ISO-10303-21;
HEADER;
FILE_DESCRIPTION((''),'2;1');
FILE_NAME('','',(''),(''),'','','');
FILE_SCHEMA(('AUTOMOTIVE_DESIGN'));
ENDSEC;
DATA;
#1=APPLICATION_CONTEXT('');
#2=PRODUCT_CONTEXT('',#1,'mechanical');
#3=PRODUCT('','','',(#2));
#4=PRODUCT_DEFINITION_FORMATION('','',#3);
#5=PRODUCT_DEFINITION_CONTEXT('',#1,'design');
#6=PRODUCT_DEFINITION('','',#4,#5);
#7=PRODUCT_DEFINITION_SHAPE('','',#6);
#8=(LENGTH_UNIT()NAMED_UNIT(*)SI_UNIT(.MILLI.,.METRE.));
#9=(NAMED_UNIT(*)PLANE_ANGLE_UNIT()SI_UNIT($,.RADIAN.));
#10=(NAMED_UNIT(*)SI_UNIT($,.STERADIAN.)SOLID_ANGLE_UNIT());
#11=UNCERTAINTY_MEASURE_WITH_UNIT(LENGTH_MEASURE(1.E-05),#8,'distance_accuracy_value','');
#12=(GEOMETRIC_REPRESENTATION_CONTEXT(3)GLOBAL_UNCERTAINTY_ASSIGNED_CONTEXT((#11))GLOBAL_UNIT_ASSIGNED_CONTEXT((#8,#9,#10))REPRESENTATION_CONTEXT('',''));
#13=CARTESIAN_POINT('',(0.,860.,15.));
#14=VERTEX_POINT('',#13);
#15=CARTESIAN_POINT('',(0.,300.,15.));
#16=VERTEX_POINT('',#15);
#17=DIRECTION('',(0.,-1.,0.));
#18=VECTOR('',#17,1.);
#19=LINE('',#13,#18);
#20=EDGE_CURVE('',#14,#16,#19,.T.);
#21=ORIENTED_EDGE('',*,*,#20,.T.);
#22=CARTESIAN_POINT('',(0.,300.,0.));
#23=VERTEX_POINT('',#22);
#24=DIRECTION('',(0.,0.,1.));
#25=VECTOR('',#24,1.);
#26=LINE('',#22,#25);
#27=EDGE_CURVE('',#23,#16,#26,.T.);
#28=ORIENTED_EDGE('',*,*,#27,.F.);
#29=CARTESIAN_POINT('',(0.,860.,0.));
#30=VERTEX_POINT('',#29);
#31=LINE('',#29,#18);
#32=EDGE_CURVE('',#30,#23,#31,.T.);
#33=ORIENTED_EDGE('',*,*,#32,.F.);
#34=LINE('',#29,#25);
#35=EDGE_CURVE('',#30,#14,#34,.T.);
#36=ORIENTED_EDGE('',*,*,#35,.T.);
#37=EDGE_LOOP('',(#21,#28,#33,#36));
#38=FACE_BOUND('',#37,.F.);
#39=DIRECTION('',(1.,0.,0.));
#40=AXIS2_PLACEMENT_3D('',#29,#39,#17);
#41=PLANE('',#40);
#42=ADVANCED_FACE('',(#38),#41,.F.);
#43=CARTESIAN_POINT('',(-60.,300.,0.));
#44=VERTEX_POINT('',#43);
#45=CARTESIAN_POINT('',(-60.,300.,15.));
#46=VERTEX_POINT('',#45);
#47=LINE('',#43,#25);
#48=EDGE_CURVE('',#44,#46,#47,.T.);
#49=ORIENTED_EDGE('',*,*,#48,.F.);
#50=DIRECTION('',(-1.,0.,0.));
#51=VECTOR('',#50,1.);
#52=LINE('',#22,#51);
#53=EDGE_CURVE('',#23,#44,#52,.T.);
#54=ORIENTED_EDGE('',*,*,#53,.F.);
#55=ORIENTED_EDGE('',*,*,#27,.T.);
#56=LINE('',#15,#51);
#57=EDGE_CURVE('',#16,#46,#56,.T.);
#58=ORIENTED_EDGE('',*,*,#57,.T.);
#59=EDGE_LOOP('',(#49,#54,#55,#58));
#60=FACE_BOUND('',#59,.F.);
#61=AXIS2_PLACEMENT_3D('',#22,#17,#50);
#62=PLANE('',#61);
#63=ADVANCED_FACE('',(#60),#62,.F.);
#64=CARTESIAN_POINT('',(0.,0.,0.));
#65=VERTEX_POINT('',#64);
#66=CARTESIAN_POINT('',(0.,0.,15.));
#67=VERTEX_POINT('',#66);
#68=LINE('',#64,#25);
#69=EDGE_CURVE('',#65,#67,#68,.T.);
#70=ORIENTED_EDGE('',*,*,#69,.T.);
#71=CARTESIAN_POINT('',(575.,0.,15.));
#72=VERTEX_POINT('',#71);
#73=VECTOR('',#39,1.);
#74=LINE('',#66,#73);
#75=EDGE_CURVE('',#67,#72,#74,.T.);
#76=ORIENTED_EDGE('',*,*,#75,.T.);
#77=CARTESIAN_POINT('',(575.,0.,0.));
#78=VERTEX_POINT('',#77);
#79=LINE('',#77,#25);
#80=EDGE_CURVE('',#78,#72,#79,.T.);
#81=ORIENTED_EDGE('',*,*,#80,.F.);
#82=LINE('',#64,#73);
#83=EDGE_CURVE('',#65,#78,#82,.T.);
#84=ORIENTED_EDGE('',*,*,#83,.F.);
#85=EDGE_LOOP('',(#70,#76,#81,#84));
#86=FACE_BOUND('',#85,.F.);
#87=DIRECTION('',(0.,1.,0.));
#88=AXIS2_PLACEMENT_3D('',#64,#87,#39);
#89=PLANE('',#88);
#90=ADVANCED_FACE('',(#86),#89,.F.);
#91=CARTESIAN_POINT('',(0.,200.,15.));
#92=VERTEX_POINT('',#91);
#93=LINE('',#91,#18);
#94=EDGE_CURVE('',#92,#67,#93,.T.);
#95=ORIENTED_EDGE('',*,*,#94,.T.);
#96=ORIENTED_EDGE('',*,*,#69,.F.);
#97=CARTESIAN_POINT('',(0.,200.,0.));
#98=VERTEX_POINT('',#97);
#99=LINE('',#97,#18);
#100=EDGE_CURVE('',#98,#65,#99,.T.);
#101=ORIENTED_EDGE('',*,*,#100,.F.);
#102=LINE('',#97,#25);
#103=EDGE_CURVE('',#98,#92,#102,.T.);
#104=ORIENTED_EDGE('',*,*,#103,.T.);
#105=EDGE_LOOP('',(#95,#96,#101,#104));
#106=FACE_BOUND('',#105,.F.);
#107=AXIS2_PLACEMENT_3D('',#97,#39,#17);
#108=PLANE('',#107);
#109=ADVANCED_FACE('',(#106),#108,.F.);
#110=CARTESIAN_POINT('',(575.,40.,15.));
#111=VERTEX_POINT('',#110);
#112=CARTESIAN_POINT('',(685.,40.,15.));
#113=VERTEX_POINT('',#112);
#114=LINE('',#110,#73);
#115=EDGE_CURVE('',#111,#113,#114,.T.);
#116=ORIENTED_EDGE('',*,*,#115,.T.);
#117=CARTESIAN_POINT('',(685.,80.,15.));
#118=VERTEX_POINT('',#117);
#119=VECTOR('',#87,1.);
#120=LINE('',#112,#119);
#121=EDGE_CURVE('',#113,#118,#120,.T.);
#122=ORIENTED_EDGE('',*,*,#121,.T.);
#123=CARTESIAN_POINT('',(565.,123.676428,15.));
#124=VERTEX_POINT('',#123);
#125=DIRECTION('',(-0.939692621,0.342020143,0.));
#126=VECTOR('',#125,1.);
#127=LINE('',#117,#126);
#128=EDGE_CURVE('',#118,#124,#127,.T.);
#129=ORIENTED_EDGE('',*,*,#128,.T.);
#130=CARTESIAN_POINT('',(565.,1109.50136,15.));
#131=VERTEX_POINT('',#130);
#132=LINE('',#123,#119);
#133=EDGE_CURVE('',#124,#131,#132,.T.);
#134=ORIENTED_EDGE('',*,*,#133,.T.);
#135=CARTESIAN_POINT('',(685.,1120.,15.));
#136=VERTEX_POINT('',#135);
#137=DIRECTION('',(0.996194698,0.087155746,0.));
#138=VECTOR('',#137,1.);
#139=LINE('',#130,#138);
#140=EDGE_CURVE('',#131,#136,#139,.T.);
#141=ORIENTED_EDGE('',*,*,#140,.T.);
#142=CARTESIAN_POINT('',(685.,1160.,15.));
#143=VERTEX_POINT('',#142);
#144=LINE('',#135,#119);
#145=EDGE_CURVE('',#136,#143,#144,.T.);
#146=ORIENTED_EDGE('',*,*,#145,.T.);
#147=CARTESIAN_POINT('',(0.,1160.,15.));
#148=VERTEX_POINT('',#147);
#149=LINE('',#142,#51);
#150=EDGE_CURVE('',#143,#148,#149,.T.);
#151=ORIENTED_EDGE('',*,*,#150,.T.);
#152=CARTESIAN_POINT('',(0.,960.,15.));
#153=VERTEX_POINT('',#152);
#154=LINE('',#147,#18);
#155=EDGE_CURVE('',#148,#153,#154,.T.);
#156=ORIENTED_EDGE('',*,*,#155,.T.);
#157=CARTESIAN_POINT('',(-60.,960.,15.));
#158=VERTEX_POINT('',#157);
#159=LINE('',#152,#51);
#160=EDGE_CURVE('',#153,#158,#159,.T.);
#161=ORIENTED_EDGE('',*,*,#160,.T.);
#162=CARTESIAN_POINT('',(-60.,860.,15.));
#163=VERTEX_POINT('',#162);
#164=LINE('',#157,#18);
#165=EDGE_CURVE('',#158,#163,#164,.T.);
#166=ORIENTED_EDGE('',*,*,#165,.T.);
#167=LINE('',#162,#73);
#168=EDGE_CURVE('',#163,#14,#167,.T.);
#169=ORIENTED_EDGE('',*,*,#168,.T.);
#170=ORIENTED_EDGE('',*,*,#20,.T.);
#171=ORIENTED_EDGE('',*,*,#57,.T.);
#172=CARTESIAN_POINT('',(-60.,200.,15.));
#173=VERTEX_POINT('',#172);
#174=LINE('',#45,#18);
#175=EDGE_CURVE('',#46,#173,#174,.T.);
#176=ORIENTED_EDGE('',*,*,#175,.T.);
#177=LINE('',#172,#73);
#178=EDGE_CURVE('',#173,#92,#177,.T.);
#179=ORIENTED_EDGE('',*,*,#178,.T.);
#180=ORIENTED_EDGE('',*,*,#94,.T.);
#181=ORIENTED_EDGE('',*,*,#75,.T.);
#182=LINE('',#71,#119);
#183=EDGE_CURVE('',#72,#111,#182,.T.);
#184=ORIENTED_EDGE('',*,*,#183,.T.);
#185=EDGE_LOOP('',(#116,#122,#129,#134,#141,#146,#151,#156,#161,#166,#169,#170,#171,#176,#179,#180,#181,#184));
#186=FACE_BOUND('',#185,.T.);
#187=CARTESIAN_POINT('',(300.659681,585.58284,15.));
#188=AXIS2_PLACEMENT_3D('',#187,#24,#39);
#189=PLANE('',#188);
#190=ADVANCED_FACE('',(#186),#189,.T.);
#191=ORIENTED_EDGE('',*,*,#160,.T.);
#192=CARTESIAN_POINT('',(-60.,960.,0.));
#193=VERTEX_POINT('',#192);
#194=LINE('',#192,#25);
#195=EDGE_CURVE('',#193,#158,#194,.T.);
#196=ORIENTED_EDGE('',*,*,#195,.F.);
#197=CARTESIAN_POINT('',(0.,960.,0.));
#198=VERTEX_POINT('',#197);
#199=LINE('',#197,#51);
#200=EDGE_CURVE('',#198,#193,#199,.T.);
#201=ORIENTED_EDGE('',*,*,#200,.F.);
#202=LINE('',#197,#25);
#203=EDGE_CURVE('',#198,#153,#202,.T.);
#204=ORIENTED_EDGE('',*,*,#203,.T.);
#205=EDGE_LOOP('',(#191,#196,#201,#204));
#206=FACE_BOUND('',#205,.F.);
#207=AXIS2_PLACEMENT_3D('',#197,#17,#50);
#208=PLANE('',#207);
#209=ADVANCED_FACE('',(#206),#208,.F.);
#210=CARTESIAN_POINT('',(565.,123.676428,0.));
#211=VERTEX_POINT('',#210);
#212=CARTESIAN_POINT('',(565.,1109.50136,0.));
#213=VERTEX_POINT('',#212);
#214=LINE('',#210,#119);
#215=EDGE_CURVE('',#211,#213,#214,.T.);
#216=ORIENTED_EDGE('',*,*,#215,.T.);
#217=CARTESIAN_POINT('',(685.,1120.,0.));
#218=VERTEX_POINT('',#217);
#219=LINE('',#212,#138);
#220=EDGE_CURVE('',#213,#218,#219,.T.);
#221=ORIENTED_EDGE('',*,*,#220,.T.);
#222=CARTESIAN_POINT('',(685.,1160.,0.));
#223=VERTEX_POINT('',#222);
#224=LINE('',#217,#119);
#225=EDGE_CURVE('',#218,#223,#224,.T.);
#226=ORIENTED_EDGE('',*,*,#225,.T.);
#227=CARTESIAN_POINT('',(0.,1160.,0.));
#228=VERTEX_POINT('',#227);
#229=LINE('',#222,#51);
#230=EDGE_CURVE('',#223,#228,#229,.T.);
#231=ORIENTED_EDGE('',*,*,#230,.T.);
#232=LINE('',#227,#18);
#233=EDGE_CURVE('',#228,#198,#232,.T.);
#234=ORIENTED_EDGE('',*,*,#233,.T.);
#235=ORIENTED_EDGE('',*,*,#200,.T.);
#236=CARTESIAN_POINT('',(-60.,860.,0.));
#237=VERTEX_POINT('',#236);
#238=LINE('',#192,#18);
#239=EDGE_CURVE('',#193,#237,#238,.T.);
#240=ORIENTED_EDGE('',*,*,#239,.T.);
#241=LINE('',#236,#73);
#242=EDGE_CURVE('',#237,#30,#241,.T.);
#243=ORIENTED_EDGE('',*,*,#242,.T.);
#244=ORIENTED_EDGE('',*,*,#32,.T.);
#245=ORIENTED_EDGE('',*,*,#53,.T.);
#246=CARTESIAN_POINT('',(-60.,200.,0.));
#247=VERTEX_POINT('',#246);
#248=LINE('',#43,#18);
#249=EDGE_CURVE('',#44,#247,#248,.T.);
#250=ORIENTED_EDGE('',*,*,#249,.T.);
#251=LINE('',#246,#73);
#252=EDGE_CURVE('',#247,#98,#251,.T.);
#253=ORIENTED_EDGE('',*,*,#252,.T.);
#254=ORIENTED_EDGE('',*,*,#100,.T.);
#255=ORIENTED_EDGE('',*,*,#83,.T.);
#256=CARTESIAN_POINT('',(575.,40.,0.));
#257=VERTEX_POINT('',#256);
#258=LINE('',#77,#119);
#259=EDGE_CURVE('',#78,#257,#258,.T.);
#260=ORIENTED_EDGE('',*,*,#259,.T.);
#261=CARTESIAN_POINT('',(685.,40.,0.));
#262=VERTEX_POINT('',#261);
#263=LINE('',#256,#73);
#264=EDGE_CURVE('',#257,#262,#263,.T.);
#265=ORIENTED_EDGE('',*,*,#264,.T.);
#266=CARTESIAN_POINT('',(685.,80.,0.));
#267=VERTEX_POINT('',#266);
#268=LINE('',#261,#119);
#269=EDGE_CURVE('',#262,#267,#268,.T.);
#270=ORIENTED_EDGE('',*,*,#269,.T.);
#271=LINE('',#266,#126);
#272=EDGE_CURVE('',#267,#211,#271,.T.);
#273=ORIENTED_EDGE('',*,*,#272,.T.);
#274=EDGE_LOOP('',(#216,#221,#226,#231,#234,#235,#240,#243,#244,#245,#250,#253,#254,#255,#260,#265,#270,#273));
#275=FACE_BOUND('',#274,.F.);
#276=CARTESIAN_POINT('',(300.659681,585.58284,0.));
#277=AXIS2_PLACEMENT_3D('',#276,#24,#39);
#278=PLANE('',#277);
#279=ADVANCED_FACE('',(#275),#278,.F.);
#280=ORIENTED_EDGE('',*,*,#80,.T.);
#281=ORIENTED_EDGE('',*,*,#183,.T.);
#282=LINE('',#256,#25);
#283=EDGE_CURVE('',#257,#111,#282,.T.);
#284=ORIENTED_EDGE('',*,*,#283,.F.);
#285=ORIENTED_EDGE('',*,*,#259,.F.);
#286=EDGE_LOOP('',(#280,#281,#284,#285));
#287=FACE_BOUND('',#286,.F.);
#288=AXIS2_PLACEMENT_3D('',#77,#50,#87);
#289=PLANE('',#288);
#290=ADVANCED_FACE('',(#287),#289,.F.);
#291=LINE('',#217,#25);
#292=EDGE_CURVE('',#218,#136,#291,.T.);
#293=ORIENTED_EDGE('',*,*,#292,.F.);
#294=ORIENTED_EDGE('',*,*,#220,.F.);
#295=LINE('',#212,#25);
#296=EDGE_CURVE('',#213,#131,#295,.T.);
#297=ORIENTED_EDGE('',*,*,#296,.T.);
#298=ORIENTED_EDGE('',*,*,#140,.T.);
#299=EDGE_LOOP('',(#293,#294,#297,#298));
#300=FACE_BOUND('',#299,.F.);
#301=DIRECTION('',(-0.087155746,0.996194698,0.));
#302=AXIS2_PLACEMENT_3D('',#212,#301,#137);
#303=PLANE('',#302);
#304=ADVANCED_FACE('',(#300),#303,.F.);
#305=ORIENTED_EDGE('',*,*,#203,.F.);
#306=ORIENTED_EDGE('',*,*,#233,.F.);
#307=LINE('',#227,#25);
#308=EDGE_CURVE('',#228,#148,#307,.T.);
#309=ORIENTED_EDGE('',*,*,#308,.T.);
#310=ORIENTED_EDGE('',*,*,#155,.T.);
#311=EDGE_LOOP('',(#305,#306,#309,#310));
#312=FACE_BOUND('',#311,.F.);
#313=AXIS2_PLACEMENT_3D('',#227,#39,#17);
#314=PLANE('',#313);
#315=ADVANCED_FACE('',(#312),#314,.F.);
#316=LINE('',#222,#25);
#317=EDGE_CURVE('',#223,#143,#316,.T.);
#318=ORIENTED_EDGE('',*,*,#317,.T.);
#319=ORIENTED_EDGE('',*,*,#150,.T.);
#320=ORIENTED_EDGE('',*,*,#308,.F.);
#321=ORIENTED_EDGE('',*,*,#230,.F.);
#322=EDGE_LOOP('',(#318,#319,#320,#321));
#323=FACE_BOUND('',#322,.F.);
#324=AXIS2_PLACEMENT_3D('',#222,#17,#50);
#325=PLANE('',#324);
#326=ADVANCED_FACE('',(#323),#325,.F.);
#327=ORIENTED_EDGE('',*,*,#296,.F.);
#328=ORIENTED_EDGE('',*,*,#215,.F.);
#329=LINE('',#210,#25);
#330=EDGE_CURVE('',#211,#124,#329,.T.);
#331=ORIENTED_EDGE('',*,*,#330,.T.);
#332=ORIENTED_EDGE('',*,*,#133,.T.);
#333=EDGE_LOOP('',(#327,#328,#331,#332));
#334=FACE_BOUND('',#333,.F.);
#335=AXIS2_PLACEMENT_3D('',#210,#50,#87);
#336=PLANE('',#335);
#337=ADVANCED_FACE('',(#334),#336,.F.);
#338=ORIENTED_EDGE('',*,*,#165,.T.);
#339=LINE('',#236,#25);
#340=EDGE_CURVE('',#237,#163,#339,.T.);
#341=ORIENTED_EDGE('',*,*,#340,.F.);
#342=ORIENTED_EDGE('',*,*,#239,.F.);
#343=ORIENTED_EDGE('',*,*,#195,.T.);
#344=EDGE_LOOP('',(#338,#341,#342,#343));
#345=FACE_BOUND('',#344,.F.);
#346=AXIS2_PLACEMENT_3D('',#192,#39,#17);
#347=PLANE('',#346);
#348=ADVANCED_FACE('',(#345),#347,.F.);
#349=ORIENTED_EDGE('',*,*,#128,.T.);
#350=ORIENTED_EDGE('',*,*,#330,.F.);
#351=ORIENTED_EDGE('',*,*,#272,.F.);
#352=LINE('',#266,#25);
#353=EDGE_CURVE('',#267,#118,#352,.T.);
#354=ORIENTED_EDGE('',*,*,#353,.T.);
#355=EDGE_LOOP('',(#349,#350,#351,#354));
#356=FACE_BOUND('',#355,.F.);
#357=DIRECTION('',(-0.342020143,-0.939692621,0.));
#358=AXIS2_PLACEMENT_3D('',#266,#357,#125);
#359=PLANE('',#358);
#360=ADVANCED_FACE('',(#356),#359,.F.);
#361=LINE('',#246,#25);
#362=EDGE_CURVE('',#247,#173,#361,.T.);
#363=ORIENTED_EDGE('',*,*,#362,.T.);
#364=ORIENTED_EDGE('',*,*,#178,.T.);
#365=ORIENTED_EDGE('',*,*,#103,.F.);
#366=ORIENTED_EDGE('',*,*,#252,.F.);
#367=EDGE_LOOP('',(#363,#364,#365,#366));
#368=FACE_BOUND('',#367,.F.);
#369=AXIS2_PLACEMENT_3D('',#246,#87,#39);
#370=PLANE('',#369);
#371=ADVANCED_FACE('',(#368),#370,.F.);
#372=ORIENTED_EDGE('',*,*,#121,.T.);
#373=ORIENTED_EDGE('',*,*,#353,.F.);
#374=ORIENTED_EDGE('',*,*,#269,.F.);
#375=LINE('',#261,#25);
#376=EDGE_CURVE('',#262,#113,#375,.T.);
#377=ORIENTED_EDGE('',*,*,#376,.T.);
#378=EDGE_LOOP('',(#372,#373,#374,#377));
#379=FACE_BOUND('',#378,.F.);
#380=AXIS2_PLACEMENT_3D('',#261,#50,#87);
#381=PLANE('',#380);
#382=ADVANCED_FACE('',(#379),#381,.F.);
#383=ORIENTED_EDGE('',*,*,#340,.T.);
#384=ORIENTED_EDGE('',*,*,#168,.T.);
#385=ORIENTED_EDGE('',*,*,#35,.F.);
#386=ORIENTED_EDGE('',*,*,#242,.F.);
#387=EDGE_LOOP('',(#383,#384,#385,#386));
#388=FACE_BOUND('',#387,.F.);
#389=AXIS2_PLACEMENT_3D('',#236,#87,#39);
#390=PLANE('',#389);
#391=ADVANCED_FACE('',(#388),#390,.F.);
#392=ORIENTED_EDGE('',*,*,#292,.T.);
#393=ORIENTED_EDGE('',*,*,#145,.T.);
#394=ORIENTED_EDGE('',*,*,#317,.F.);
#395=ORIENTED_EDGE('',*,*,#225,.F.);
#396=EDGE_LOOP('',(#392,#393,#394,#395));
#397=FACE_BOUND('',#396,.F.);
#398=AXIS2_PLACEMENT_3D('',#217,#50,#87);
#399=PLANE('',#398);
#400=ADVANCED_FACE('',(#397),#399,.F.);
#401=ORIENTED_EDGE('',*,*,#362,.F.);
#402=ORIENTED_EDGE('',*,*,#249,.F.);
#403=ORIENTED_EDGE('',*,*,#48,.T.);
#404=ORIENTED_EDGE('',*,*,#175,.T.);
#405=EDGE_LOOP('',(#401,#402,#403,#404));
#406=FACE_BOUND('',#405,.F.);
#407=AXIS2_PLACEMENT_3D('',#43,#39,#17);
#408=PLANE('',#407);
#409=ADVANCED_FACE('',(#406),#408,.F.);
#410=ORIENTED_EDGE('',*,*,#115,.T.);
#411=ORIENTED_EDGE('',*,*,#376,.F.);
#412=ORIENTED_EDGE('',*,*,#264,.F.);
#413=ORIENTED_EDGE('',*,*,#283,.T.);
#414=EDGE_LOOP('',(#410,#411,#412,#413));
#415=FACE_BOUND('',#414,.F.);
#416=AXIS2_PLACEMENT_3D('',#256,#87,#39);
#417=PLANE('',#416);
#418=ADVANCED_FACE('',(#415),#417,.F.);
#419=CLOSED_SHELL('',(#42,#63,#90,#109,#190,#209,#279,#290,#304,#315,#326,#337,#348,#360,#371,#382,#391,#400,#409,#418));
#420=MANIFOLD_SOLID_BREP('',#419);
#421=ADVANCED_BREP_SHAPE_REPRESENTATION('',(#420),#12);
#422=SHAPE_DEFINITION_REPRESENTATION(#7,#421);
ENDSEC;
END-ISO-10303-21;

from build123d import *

# Parameters (mm, degrees)
F1_DEPTH = 15


with BuildPart() as f1:
    # F0 (on Top) → F1 (new body)
    with BuildSketch(Plane.XY):
        Polygon((0, 200), (0, 0), (575, 0), (575, 40), (685, 40), (685, 80), (565, 123.676428), (565, 1109.50136), (685, 1120), (685, 1160), (0, 1160), (0, 960), (-60, 960), (-60, 860), (0, 860), (0, 300), (-60, 300), (-60, 200), align=None)
    extrude(amount=F1_DEPTH)


solid = f1.part
